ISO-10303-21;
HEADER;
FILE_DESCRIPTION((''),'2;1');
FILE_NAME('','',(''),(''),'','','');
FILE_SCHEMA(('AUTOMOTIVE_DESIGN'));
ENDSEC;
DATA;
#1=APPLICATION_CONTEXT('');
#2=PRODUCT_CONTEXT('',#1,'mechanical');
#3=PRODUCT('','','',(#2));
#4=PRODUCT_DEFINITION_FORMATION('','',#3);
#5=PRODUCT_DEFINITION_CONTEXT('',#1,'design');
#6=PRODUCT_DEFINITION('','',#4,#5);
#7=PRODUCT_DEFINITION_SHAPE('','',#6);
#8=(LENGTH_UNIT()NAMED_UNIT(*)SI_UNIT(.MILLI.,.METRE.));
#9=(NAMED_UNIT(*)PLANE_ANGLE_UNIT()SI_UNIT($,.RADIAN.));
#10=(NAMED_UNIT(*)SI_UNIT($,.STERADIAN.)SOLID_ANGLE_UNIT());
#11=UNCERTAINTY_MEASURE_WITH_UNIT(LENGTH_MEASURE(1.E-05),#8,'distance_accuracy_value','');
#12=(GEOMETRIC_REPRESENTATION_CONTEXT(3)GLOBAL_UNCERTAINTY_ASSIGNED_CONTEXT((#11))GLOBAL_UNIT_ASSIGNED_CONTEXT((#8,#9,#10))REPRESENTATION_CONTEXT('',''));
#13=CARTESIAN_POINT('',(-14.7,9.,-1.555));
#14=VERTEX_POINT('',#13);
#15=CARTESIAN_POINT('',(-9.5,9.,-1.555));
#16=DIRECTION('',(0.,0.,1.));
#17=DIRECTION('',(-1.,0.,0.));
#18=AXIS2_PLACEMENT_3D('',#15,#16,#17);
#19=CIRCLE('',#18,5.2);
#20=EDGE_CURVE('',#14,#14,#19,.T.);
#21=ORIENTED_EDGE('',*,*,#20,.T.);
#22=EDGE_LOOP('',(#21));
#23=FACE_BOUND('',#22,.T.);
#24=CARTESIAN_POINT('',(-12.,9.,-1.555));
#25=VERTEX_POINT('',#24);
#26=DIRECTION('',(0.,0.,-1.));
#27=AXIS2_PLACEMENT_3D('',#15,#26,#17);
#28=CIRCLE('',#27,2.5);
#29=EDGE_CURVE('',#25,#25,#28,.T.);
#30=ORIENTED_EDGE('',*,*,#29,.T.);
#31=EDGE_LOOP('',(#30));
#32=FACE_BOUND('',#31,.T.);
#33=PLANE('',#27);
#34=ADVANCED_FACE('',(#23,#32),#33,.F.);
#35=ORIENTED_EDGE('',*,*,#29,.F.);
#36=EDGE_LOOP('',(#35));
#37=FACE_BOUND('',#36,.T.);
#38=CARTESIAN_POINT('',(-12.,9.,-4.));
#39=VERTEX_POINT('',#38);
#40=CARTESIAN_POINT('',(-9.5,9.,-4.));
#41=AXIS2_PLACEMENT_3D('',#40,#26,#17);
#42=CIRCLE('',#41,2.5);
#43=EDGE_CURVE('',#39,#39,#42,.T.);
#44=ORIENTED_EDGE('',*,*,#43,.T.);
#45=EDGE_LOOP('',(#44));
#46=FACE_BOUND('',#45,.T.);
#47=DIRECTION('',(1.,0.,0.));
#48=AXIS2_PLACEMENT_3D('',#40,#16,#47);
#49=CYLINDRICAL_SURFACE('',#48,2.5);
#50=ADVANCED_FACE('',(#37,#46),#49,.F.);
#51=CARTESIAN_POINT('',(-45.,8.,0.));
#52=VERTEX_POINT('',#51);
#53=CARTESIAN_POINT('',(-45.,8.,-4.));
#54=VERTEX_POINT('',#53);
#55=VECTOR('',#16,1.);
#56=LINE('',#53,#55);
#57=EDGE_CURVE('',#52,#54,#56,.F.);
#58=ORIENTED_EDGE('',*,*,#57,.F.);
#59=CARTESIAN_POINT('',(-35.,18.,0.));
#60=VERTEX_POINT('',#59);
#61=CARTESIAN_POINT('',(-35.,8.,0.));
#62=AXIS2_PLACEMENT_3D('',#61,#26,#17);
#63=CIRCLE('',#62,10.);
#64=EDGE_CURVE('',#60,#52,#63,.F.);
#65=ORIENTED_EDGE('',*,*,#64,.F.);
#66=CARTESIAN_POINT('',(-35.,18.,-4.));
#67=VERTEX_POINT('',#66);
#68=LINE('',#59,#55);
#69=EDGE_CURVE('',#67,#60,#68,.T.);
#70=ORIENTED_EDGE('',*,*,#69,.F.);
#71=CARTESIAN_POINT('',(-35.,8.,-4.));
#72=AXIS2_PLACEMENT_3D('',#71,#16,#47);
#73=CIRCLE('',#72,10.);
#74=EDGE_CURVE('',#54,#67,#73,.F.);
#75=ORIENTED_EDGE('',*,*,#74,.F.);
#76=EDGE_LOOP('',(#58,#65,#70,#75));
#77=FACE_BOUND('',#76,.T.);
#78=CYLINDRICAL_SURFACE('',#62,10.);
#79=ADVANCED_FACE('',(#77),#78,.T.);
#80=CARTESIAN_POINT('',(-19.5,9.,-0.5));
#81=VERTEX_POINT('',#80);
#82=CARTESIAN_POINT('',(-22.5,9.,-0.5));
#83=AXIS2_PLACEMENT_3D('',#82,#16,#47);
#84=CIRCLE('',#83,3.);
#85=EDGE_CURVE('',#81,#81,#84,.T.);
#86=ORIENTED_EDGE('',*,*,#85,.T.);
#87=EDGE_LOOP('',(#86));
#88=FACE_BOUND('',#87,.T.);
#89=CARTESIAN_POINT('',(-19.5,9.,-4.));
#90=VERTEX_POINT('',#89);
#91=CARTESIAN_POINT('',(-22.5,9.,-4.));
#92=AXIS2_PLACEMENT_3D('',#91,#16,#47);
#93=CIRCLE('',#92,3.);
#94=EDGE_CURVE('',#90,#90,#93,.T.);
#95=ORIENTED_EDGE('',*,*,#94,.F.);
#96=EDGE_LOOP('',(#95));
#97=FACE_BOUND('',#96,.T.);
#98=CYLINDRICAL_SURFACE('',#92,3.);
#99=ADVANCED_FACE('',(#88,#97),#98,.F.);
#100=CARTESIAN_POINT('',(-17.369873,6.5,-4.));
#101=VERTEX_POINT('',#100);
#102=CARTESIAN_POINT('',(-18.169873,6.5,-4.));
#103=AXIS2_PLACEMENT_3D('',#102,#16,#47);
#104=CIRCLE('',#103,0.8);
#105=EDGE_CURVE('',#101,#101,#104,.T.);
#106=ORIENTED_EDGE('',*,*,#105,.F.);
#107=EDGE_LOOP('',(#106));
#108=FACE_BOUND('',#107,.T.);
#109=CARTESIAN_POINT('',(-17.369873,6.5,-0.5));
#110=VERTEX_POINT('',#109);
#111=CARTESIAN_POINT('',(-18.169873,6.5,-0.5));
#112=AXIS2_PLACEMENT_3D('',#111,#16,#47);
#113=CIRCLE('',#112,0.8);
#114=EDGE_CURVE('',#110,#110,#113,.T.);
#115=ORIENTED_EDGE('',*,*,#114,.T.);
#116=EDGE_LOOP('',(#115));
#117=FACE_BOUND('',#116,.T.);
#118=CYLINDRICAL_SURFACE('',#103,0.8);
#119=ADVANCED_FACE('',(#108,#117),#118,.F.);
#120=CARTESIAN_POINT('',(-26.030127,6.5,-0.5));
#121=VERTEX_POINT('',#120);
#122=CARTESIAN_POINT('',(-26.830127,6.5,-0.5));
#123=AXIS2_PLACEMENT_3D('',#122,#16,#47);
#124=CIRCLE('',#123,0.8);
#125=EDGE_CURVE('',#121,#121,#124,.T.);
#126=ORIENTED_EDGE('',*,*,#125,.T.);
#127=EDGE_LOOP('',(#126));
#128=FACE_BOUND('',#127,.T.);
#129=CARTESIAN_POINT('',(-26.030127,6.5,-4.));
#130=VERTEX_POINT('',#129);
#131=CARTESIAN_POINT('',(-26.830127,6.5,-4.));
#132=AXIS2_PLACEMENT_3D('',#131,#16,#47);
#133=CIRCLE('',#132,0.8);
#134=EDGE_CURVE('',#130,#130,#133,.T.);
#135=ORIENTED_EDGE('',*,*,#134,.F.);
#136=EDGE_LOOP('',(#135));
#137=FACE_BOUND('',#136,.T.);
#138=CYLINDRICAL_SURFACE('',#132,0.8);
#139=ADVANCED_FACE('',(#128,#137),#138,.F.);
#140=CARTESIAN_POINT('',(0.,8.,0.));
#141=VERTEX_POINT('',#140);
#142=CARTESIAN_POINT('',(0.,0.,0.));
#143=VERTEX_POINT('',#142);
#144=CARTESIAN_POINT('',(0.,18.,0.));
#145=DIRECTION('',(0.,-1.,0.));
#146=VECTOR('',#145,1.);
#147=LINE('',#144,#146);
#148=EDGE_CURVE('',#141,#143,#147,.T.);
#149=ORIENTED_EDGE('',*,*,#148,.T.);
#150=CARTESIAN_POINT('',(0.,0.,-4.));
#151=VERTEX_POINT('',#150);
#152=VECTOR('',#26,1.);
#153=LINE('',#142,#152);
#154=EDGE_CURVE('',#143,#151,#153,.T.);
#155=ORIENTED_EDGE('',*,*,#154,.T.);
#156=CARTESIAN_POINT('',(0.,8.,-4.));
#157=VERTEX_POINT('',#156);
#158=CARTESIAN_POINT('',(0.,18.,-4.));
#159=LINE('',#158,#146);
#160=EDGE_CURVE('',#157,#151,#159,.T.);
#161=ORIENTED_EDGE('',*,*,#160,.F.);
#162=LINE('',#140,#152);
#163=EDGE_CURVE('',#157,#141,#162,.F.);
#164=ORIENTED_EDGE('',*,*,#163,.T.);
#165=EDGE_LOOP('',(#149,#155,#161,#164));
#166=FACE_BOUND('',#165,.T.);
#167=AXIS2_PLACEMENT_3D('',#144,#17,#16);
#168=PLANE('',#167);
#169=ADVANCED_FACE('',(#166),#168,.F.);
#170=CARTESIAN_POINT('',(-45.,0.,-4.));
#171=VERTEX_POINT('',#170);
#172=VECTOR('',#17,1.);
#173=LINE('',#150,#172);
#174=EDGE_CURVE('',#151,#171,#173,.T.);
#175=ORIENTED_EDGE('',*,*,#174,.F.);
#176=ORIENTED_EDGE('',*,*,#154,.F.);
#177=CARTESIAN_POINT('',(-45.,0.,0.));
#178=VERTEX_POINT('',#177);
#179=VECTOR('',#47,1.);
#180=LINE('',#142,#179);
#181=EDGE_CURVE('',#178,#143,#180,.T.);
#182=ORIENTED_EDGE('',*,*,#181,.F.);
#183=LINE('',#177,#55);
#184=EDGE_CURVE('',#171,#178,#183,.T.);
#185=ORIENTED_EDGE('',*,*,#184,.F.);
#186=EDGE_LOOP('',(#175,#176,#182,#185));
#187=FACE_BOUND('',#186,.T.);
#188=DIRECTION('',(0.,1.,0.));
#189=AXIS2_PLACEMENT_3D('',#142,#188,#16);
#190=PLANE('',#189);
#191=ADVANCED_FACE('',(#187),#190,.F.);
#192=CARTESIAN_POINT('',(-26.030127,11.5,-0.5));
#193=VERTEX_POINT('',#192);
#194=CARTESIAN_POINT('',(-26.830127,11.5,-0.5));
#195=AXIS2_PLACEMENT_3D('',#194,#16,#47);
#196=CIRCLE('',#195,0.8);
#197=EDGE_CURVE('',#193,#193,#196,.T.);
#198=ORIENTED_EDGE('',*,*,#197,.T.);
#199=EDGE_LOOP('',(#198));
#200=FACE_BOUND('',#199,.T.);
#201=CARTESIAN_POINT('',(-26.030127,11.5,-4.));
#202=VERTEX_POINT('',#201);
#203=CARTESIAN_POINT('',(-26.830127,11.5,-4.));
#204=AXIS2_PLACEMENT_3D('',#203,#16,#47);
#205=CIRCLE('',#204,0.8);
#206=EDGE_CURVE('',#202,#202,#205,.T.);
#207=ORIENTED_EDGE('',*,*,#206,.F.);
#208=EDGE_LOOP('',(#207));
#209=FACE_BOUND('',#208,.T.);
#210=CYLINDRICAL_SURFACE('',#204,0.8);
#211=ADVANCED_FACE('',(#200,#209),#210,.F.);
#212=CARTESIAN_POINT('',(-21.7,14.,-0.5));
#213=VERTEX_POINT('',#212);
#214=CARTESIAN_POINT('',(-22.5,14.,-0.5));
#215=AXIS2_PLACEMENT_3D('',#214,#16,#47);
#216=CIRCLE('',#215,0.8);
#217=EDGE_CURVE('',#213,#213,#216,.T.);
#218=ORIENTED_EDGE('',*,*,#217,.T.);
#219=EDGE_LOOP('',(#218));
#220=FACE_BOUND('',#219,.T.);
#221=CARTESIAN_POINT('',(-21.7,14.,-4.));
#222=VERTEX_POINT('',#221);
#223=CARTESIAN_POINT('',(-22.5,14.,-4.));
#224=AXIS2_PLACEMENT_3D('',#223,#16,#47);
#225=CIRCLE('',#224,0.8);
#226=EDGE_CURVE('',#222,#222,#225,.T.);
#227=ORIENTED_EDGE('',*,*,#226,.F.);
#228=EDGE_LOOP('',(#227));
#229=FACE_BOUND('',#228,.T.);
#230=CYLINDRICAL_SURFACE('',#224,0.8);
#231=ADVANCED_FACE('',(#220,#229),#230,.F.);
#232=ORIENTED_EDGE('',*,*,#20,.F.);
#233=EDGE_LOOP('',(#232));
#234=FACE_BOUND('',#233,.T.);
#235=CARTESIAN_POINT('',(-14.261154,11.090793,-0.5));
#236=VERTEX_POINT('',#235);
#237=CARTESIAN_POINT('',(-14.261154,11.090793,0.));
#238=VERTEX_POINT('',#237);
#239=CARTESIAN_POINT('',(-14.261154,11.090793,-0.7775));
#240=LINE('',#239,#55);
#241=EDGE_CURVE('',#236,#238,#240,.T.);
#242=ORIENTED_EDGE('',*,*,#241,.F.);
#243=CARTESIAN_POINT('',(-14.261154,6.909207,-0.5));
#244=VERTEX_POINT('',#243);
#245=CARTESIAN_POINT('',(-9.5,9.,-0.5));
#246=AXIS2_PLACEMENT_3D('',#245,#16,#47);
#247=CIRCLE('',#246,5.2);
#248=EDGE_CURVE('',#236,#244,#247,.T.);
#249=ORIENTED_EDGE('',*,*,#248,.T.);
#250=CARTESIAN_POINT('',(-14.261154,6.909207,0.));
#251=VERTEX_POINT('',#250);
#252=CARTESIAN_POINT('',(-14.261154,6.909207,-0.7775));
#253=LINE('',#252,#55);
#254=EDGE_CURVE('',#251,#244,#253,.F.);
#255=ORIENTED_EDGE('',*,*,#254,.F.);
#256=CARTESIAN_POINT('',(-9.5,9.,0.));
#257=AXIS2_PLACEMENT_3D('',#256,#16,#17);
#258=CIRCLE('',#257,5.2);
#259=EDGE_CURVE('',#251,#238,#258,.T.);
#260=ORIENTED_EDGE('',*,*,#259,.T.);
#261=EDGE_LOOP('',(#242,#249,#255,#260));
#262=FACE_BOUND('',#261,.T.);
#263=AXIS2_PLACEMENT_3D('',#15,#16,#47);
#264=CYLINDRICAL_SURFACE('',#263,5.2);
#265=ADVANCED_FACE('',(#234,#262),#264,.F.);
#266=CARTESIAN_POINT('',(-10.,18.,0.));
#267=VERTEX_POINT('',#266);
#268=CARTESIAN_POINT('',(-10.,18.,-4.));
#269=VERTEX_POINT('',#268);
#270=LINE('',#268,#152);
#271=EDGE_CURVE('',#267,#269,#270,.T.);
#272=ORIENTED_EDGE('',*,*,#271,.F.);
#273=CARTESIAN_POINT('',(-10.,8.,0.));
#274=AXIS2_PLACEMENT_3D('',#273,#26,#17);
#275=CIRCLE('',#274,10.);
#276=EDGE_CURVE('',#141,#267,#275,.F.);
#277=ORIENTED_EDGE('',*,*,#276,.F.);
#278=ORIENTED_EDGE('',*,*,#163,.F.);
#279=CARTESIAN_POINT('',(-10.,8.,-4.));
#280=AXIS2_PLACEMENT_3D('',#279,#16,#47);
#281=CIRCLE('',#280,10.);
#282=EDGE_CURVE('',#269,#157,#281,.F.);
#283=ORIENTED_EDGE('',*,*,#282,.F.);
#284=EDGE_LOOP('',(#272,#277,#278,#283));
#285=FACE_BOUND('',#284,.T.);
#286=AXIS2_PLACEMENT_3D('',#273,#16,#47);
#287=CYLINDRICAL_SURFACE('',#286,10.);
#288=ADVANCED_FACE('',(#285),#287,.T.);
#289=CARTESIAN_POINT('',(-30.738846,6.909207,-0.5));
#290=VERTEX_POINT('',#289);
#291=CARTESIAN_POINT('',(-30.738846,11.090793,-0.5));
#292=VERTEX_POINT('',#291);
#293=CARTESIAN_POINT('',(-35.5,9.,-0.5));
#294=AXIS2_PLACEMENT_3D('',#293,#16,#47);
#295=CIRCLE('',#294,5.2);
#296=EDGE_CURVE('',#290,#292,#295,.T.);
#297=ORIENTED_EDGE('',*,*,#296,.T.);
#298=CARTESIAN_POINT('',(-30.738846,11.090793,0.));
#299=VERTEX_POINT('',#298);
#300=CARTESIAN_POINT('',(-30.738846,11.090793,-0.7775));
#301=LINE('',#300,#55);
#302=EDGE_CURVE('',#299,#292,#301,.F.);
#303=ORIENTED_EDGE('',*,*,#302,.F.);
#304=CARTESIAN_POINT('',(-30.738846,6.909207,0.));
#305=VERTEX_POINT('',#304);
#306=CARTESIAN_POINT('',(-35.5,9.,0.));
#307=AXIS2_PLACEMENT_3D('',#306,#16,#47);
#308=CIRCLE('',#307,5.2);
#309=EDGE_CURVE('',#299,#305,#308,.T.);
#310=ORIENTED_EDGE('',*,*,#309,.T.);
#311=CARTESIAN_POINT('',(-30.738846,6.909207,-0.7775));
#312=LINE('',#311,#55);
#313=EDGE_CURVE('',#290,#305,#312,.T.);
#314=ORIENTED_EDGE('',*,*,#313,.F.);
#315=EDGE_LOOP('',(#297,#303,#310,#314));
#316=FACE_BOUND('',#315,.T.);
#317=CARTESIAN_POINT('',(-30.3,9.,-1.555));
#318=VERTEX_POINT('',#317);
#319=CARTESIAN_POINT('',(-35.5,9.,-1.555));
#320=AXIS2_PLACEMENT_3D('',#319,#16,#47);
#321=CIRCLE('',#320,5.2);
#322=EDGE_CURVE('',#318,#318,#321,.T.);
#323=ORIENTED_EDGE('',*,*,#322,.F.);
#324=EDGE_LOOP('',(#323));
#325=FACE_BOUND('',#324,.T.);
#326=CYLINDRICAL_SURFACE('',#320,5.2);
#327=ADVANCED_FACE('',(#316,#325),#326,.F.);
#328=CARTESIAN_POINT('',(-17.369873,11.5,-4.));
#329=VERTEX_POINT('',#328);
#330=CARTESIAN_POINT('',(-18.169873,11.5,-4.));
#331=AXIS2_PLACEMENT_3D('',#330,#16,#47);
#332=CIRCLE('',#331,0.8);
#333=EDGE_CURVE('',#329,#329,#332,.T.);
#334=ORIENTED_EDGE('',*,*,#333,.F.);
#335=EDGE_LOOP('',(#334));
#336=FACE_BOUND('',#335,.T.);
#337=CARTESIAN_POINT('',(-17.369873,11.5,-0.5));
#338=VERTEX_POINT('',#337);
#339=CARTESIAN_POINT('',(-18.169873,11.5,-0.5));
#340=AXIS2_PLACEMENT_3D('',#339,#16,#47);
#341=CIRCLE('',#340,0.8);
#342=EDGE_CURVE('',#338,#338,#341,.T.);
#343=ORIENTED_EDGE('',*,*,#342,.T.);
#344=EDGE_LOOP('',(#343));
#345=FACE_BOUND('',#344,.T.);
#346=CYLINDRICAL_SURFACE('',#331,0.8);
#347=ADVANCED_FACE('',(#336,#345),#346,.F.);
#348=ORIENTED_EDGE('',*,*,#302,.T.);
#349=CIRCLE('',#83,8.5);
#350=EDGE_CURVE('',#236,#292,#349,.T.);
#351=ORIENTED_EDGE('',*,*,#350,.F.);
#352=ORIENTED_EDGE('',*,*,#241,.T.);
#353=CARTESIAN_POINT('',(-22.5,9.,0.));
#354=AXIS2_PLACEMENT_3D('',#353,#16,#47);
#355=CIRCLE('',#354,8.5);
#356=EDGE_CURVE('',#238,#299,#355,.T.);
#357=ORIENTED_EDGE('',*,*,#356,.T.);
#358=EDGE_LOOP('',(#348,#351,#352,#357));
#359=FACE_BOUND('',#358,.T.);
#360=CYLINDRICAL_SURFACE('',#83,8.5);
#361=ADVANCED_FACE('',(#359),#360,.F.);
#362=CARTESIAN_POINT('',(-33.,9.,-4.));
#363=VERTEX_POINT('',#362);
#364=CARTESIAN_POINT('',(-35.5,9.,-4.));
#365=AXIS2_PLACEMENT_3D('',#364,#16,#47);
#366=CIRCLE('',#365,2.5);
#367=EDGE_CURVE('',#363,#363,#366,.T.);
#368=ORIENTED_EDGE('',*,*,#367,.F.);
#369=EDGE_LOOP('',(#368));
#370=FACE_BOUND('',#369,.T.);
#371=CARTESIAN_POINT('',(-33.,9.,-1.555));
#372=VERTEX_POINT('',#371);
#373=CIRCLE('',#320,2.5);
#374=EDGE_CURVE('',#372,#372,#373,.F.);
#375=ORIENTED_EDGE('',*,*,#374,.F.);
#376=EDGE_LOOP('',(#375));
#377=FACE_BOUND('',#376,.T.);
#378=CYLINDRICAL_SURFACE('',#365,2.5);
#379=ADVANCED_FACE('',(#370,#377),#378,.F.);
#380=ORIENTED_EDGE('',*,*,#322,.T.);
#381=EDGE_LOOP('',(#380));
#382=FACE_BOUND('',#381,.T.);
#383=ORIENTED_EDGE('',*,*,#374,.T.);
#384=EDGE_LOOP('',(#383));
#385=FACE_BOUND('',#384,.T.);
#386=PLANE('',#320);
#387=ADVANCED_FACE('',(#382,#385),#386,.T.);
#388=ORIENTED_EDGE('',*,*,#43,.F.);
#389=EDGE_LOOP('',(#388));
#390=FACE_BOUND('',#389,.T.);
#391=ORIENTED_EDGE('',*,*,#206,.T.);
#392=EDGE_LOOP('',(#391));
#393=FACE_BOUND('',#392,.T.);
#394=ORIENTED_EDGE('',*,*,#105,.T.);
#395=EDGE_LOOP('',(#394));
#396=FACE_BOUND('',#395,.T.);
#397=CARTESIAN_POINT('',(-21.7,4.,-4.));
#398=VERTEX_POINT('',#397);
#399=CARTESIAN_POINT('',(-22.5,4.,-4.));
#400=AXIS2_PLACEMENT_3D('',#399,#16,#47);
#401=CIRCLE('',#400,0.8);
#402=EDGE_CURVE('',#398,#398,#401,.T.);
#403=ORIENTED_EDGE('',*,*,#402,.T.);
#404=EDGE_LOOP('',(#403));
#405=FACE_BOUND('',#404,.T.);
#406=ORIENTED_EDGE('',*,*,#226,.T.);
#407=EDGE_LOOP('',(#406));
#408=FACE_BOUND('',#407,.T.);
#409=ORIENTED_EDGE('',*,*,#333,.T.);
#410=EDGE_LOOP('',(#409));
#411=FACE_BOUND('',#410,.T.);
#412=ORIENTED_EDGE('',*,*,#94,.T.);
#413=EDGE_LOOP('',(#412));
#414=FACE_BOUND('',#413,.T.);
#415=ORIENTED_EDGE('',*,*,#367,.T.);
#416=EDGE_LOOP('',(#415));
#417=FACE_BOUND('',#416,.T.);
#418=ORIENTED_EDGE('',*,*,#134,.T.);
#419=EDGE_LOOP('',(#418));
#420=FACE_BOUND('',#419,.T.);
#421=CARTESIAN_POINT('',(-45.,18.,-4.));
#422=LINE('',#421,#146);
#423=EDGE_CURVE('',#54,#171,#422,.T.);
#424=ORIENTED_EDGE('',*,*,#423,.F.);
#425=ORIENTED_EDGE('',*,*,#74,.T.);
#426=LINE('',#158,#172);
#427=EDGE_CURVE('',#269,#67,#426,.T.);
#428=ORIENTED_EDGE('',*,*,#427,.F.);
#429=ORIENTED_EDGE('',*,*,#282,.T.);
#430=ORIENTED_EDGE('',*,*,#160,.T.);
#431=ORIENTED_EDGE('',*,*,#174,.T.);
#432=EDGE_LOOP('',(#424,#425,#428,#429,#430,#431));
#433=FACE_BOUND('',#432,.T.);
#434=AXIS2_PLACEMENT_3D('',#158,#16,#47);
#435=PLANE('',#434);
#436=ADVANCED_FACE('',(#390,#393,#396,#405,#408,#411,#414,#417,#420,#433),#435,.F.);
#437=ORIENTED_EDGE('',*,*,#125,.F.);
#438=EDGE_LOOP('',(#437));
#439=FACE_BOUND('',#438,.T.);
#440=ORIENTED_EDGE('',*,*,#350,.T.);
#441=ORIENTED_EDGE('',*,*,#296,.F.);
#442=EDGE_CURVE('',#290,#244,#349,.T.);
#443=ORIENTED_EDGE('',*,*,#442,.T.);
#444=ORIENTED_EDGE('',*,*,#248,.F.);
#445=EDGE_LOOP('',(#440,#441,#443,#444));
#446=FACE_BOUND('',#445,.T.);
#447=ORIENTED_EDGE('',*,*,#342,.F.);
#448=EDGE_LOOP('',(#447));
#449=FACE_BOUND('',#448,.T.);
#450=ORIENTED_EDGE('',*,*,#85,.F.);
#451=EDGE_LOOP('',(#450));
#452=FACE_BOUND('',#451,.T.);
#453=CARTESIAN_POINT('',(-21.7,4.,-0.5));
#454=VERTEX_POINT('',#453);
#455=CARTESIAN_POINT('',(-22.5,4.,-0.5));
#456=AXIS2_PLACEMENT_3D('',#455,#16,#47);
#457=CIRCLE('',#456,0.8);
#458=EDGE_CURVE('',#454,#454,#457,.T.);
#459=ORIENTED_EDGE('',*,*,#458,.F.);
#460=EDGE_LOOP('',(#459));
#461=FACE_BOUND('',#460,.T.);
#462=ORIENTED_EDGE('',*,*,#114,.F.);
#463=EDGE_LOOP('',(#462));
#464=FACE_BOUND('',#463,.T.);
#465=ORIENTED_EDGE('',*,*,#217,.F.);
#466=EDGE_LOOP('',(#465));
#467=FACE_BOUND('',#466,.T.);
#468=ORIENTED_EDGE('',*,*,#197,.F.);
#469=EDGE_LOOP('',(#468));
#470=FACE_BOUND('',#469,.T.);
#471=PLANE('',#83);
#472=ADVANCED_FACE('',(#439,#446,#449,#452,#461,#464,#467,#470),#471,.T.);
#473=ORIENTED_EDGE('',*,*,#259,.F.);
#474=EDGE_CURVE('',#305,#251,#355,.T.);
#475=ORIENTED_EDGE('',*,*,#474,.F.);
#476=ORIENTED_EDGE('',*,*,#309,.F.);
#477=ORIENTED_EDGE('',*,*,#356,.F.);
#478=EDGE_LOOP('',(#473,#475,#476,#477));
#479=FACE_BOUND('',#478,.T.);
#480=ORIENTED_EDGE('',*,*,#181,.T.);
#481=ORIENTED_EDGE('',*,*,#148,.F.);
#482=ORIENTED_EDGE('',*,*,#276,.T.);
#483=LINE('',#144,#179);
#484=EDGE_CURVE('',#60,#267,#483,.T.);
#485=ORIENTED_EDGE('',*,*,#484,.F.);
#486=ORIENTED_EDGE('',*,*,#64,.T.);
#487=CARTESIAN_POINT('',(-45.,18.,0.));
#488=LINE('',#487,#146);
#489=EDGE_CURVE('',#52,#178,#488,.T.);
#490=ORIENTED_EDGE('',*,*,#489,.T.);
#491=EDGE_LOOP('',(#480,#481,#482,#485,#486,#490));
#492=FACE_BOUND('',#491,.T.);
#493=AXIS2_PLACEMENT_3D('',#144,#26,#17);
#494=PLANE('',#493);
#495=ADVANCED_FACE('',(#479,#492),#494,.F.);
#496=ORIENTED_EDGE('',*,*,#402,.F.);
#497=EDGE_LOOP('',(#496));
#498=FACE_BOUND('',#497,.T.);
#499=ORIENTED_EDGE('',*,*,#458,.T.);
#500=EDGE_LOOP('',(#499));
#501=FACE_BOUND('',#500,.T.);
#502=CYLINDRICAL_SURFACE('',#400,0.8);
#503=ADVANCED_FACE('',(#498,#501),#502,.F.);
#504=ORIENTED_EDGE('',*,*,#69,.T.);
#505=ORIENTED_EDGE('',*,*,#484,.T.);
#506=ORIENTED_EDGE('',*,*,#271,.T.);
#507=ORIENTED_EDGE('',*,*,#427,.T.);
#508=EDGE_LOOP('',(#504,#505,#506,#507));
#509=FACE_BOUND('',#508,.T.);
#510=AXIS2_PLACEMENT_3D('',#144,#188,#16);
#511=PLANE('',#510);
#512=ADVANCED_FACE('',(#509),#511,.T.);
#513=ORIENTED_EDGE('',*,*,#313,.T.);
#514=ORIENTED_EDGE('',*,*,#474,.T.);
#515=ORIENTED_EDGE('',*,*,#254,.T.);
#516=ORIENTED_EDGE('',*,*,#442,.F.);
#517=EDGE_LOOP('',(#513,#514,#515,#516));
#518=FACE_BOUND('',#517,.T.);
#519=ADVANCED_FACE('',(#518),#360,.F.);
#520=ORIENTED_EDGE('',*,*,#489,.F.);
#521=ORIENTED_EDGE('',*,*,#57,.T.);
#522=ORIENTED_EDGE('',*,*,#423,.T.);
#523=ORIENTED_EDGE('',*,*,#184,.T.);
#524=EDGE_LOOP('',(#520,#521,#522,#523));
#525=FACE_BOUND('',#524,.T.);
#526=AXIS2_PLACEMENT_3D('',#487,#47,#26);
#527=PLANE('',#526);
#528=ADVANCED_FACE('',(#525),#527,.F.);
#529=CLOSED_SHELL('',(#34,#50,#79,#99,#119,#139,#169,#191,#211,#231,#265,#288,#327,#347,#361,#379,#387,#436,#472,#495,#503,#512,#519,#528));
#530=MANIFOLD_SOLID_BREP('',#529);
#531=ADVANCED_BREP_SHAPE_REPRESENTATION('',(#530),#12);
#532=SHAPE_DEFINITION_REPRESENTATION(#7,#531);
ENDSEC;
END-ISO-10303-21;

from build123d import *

# Parameters (mm, degrees)
SKETCH1_W           = 45
SKETCH1_H           = 4
BOSS_EXTRUDE1_DEPTH = 18
SKETCH2_R           = 8.5
CUT_EXTRUDE2_DEPTH  = 0.5
SKETCH3_R           = 3
CUT_EXTRUDE3_DEPTH  = 4.5
SKETCH4_R           = 2.5
CUT_EXTRUDE4_DEPTH  = 5
SKETCH6_R           = 0.8
CUT_EXTRUDE6_DEPTH  = 4.5
FILLET1_R           = 10
SKETCH7_R           = 5.2
CUT_EXTRUDE7_DEPTH  = 1.555


with BuildPart() as part:
    # Sketch1 → Boss-Extrude1 (new body)
    with BuildSketch(Plane(origin=(0, 0, 0), x_dir=(1, 0, 0), z_dir=(0, 1, 0))):
        with Locations((-22.5, 2)):
            Rectangle(SKETCH1_W, SKETCH1_H)
    extrude(amount=BOSS_EXTRUDE1_DEPTH)

    # Sketch2 → Cut-Extrude2 (cut)
    with BuildSketch(Plane.XY):
        with Locations((-22.5, 9)):
            Circle(SKETCH2_R)
    extrude(amount=-CUT_EXTRUDE2_DEPTH, mode=Mode.SUBTRACT)

    # Sketch3 → Cut-Extrude3 (cut, through all)
    with BuildSketch(Plane.XY.offset(-0.5)):
        with Locations((-22.5, 9)):
            Circle(SKETCH3_R)
    extrude(amount=-CUT_EXTRUDE3_DEPTH, mode=Mode.SUBTRACT)

    # Sketch4 → Cut-Extrude4 (cut, through all)
    with BuildSketch(Plane.XY):
        with Locations((-35.5, 9)):
            Circle(SKETCH4_R)
        with Locations((-9.5, 9)):
            Circle(SKETCH4_R)
    extrude(amount=-CUT_EXTRUDE4_DEPTH, mode=Mode.SUBTRACT)

    # Sketch6 → Cut-Extrude6 (cut, through all)
    with BuildSketch(Plane.XY.offset(-0.5)):
        with Locations((-22.5, 14)):
            Circle(SKETCH6_R)
        with Locations((-18.169872981, 11.5)):
            Circle(SKETCH6_R)
        with Locations((-18.169872981, 6.5)):
            Circle(SKETCH6_R)
        with Locations((-22.5, 4)):
            Circle(SKETCH6_R)
        with Locations((-26.830127019, 6.5)):
            Circle(SKETCH6_R)
        with Locations((-26.830127019, 11.5)):
            Circle(SKETCH6_R)
    extrude(amount=-CUT_EXTRUDE6_DEPTH, mode=Mode.SUBTRACT)

    # Fillet1
    fillet1_edges = [part.edges().sort_by_distance(p)[0] for p in [
        (-45, 18, -2),
        (0, 18, -2),
    ]]
    fillet(fillet1_edges, radius=FILLET1_R)

    # Sketch7 → Cut-Extrude7 (cut)
    with BuildSketch(Plane.XY):
        with Locations((-35.5, 9)):
            Circle(SKETCH7_R)
        with Locations((-9.5, 9)):
            Circle(SKETCH7_R)
    extrude(amount=-CUT_EXTRUDE7_DEPTH, mode=Mode.SUBTRACT)


solid = part.part
